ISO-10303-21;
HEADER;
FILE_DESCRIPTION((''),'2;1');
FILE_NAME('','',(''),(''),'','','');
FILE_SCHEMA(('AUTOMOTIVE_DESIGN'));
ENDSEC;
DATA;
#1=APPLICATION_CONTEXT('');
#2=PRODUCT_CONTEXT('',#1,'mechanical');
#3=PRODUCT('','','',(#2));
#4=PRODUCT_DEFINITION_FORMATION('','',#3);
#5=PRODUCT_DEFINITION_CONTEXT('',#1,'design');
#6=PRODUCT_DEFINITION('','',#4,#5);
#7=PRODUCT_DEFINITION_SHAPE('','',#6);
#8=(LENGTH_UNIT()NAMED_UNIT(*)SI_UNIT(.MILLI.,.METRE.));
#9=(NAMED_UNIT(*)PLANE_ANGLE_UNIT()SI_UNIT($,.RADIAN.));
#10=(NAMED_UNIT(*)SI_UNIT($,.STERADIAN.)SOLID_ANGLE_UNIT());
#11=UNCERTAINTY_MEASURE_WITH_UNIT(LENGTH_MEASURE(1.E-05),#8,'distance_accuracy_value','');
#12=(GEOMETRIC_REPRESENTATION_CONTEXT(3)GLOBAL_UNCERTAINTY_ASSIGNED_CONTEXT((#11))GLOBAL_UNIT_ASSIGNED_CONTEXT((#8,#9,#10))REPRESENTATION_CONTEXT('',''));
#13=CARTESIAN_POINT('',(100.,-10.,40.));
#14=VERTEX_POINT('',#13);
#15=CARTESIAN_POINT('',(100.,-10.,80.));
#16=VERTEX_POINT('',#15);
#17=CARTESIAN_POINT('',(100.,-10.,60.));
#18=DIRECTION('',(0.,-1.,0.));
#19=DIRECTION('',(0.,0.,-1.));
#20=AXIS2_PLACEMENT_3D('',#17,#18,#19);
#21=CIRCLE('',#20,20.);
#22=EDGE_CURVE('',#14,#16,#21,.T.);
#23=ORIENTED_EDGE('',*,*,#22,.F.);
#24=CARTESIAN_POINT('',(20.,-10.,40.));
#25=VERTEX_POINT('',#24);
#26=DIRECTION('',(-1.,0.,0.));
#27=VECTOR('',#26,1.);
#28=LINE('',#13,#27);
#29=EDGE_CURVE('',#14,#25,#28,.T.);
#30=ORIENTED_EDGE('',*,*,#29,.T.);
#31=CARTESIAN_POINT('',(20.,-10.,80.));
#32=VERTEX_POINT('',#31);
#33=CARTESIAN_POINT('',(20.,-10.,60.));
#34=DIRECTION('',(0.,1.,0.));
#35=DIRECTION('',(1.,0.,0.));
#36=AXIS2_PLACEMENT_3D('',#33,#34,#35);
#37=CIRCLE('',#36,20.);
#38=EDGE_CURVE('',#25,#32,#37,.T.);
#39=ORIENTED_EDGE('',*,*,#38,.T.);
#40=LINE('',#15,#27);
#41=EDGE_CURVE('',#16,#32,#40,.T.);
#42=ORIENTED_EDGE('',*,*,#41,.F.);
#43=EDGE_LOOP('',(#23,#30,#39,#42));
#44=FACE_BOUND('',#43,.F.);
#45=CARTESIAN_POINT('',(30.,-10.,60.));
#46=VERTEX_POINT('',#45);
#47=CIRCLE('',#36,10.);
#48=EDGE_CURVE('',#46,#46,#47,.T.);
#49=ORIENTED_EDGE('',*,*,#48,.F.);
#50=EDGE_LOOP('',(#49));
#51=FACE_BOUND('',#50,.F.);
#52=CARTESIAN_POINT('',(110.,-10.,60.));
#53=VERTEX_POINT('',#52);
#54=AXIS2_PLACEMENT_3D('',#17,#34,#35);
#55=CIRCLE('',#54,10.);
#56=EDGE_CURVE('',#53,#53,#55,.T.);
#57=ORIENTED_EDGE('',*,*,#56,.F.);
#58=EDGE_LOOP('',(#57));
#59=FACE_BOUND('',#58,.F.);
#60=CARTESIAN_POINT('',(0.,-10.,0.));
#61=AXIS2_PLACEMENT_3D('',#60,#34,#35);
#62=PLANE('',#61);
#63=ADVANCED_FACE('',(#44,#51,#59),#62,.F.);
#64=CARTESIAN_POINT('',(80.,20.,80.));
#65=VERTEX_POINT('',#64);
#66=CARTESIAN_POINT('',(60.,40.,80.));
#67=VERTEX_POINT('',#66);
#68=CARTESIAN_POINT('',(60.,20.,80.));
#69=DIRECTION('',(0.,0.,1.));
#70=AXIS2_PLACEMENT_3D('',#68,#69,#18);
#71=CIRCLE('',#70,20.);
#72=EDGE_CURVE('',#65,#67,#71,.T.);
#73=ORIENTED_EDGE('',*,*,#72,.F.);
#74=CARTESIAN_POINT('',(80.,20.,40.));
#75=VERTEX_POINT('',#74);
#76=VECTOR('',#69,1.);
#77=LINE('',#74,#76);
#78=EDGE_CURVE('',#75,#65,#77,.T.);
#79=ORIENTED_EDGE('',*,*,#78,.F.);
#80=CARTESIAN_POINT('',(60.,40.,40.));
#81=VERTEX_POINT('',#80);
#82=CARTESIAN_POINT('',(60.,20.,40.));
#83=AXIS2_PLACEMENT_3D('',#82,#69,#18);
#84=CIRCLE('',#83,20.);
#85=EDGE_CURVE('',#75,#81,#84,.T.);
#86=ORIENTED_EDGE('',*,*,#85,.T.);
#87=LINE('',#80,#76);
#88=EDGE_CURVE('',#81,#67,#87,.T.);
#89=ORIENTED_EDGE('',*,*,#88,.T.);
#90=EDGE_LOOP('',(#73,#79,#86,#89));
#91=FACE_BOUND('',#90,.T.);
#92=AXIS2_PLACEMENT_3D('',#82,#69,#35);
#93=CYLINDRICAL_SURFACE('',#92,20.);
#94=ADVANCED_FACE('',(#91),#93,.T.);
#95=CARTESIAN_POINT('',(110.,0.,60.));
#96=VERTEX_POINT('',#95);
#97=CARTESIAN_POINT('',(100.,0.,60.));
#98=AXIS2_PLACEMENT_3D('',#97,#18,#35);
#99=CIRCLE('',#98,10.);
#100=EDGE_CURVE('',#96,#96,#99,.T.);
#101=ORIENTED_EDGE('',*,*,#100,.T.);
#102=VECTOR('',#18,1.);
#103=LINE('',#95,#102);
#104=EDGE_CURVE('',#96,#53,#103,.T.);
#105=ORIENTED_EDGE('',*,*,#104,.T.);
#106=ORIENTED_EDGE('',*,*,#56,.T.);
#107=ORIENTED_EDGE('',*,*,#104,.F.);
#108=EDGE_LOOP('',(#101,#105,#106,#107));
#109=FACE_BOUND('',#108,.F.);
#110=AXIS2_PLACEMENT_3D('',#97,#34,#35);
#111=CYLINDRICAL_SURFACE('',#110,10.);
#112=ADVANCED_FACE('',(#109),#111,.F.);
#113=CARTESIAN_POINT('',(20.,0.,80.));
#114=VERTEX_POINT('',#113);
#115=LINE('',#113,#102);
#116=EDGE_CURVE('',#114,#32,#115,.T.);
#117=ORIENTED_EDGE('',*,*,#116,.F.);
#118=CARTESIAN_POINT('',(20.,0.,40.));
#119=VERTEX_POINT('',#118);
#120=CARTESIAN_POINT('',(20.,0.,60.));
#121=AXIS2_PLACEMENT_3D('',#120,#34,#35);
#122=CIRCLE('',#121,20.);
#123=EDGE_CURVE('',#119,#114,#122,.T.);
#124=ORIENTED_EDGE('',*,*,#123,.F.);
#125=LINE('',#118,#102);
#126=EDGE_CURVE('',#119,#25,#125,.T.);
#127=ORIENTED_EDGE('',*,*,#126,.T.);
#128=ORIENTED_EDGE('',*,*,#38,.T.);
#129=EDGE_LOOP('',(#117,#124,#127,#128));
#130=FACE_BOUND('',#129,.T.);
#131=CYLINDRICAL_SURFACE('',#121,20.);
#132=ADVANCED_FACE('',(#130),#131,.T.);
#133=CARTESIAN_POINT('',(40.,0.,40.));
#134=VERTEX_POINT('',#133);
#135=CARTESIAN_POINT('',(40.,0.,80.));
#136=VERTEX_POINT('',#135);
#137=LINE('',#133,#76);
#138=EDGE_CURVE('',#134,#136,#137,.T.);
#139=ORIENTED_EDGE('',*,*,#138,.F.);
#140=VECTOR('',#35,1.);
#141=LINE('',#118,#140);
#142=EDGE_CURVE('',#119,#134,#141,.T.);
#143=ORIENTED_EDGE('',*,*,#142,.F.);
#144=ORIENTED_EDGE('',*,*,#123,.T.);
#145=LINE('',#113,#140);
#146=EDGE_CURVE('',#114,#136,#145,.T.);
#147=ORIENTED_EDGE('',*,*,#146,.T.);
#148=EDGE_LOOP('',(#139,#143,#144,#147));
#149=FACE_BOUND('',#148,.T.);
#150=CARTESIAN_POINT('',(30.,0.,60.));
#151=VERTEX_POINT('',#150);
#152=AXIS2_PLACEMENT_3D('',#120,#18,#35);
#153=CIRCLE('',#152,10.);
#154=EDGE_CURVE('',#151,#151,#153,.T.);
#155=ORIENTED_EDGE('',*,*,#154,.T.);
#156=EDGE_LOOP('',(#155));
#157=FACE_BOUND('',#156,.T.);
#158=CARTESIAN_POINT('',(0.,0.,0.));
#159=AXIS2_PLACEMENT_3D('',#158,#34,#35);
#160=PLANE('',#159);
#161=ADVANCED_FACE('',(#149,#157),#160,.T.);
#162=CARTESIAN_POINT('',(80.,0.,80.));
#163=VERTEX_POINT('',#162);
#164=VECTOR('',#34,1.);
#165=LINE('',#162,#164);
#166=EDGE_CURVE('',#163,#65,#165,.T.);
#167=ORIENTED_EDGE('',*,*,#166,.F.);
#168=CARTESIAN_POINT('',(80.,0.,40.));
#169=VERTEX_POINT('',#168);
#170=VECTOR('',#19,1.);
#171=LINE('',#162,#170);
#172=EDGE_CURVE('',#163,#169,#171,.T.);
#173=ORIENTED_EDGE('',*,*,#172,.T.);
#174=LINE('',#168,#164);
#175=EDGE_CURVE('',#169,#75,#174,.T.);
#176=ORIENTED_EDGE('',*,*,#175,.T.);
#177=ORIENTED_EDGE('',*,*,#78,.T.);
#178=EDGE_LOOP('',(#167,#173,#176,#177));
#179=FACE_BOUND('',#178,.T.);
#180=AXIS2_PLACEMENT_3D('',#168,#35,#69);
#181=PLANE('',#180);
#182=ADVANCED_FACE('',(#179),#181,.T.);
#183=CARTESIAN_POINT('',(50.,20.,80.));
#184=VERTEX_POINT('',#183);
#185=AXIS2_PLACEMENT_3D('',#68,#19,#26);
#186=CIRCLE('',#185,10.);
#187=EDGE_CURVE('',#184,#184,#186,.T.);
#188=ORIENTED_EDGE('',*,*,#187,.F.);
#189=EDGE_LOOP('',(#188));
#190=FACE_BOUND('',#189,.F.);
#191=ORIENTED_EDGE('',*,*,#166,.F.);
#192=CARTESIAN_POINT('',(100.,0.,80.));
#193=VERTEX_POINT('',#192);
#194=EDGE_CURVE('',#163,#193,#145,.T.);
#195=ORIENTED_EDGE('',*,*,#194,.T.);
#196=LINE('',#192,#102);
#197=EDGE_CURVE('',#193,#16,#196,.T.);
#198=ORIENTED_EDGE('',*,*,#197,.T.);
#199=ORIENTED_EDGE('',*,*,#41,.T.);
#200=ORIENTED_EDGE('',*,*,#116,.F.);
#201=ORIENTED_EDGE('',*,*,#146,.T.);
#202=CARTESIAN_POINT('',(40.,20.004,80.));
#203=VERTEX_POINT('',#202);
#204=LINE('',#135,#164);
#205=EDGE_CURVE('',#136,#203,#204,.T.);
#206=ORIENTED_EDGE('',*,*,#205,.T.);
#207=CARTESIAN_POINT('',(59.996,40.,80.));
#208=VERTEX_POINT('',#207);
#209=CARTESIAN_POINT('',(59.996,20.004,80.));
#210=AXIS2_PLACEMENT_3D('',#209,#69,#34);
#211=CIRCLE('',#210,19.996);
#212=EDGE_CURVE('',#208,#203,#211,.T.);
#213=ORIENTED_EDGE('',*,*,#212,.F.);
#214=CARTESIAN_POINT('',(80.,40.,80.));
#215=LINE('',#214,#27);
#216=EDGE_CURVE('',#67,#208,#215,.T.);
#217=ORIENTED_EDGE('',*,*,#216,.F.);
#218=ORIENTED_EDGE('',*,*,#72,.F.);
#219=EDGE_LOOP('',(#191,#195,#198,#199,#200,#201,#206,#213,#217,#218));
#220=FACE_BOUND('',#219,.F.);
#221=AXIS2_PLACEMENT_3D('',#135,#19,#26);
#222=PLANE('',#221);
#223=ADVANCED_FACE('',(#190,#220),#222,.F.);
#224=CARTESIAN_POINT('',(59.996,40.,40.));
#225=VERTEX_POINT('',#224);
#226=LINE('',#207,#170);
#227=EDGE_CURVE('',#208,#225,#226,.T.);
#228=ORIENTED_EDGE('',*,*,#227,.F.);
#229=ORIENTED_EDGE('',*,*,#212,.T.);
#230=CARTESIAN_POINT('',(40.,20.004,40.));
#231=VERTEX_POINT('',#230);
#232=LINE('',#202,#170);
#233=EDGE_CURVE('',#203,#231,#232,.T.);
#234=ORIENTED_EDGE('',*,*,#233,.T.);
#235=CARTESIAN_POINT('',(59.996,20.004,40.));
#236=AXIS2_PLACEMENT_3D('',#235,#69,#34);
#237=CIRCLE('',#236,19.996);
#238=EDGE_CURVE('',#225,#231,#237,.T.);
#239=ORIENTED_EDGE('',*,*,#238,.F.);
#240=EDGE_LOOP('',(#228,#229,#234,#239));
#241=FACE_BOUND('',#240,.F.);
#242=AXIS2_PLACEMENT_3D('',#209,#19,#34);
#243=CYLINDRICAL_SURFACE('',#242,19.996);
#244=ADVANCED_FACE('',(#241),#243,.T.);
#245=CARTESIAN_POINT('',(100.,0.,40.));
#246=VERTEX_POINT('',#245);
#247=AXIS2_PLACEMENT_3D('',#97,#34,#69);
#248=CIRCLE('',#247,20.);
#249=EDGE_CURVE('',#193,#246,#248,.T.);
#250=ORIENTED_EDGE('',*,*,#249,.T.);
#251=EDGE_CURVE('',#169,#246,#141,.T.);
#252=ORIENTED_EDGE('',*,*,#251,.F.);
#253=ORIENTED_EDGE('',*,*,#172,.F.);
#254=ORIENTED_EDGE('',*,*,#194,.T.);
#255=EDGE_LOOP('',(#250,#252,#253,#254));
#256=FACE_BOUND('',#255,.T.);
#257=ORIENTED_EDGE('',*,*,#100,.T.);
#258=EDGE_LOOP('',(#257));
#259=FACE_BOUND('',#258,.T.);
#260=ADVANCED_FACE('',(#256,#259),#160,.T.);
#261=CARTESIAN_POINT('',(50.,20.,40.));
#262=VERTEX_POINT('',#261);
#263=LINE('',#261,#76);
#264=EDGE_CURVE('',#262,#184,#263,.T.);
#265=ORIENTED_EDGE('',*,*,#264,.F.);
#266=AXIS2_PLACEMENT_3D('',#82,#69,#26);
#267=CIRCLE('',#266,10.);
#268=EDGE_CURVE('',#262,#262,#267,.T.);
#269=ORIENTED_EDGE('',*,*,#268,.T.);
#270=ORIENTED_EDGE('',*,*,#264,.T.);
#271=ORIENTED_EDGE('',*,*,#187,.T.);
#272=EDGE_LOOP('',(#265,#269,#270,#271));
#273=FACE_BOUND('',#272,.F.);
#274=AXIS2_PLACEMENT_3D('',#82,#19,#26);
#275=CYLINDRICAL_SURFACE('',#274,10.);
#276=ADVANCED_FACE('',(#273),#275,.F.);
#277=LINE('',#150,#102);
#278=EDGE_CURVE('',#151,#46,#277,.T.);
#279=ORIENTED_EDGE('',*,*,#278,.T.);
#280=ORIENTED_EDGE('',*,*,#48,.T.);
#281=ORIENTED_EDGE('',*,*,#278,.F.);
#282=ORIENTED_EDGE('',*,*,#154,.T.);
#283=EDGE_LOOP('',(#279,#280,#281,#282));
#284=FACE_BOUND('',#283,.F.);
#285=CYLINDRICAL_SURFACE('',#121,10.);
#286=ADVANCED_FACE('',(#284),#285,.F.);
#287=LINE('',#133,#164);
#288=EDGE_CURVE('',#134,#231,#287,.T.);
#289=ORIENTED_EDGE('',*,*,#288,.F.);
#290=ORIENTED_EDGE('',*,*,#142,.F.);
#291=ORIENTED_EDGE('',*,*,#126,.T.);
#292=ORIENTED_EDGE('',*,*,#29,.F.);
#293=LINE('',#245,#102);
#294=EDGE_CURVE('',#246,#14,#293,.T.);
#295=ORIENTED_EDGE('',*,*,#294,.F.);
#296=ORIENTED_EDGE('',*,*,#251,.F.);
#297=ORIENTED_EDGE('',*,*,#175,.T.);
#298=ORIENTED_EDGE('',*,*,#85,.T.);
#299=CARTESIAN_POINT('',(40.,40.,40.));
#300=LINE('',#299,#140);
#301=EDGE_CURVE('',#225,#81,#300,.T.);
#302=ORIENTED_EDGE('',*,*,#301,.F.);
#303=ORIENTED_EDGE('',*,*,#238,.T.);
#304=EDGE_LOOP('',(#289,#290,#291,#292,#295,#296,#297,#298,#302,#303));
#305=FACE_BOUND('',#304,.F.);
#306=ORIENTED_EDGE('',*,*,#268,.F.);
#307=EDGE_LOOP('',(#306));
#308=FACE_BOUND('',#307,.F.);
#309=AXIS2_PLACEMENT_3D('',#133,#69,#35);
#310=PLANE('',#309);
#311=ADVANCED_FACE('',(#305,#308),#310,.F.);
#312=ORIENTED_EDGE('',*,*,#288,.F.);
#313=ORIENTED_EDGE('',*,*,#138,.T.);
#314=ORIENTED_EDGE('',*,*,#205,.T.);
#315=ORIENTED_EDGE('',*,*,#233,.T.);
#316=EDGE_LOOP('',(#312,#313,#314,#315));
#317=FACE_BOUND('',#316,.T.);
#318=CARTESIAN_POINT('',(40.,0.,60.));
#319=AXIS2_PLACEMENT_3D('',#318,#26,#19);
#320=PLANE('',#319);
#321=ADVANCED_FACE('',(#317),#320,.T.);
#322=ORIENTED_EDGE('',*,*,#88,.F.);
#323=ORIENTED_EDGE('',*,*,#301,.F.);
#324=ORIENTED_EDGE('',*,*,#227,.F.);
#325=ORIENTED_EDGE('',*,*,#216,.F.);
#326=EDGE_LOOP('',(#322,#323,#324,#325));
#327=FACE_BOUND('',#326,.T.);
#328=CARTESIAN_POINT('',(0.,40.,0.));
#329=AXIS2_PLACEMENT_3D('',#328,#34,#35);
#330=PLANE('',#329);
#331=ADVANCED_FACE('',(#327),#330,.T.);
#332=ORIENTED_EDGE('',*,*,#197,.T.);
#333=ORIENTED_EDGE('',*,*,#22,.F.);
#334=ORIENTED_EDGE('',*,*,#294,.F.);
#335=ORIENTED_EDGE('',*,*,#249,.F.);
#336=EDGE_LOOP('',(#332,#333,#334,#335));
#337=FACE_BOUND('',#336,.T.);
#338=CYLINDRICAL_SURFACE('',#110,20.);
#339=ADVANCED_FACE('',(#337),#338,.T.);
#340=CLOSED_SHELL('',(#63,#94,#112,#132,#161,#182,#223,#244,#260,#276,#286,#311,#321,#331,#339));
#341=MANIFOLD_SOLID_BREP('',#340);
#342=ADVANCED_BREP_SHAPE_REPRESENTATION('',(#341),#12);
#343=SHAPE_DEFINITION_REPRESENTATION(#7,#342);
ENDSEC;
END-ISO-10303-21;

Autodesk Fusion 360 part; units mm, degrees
sketch "Sketch1" plane through (0, 0, 0) normal (0, 1, 0) x (1, 0, 0)
  line L0 (40, -40) -> (80, -40)
  line L1 (80, -40) -> (80, -80)
  line L2 (80, -80) -> (40, -80)
  line L3 (40, -80) -> (40, -40)
  line L4 (80, -40) -> (100, -40)
  line L5 (100, -40) -> (100, -80)
  line L6 (100, -80) -> (80, -80)
  line L7 (40, -80) -> (20, -80)
  line L8 (20, -80) -> (20, -40)
  line L9 (20, -40) -> (40, -40)
  line L10 (20, -60) -> (100, -60)
  circle A0 centre (20, -60) radius 20
  circle A1 centre (100, -60) radius 20
  circle A2 centre (100, -60) radius 10
  circle A3 centre (20, -60) radius 10
  dimension "d1" = 40
  dimension "d2" = 40
  dimension "d3" = 20
  dimension "d4" = 40
  dimension "d5" = 40
  dimension "d6" = 20
  dimension "d7" = 20
extrude "Extrude1" add sketch "Sketch1" against normal blind 10 contours L0 L1 L3 L10 | L3 L9 A0 | L1 L4 A1 | L1 L2 L3 L10 | L8 L10 A0 A3 | L8 L10 A0 A3 | L3 L7 A0 | L8 A0 A3 | L1 L6 A1 | L5 L10 A1 A2 | L5 L10 A1 A2 | L5 A1 A2
extrude "Extrude2" add sketch "Sketch1" along normal blind 40 contours L0 L1 L3 L10 | L1 L2 L3 L10
fillet "Fillet1" radius 20 1 edges at (80, 40, 60)
fillet "Fillet2" radius 20 1 edges at (40, 40, 60)
sketch "Sketch2" plane through (0, 0, 40) normal (0, 0, -1) x (-1, 0, 0)
  arc A0 (-40, 20) -> (-80, 20) centre (-60, 20) ccw
  line L0 (-80, 20) -> (-80, 0)
  line L1 (-80, 0) -> (-100, 0)
  line L2 (-100, 0) -> (-100, -10)
  line L3 (-100, -10) -> (-20, -10)
  line L4 (-20, -10) -> (-20, 0)
  line L5 (-20, 0) -> (-40, 0)
  line L6 (-40, 0) -> (-40, 20)
  line L7 (-80, 0) -> (-40, 0)
  line L8 (-40, 0) -> (-40, 40)
  line L9 (-40, 40) -> (-80, 40)
  line L10 (-80, 40) -> (-80, 0)
  line L11 (-80, 40) -> (-40, 0)
  line L12 (-80, 0) -> (-40, 40)
  circle A1 centre (-60, 20) radius 10
  dimension "d16" = 40
  dimension "d17" = 40
  dimension "d18" = 20
extrude "Extrude3" cut sketch "Sketch2" against normal blind 40 contours L11 L12 A1 | L11 L12 A1 | L11 L12 A1 | L11 L12 A1
